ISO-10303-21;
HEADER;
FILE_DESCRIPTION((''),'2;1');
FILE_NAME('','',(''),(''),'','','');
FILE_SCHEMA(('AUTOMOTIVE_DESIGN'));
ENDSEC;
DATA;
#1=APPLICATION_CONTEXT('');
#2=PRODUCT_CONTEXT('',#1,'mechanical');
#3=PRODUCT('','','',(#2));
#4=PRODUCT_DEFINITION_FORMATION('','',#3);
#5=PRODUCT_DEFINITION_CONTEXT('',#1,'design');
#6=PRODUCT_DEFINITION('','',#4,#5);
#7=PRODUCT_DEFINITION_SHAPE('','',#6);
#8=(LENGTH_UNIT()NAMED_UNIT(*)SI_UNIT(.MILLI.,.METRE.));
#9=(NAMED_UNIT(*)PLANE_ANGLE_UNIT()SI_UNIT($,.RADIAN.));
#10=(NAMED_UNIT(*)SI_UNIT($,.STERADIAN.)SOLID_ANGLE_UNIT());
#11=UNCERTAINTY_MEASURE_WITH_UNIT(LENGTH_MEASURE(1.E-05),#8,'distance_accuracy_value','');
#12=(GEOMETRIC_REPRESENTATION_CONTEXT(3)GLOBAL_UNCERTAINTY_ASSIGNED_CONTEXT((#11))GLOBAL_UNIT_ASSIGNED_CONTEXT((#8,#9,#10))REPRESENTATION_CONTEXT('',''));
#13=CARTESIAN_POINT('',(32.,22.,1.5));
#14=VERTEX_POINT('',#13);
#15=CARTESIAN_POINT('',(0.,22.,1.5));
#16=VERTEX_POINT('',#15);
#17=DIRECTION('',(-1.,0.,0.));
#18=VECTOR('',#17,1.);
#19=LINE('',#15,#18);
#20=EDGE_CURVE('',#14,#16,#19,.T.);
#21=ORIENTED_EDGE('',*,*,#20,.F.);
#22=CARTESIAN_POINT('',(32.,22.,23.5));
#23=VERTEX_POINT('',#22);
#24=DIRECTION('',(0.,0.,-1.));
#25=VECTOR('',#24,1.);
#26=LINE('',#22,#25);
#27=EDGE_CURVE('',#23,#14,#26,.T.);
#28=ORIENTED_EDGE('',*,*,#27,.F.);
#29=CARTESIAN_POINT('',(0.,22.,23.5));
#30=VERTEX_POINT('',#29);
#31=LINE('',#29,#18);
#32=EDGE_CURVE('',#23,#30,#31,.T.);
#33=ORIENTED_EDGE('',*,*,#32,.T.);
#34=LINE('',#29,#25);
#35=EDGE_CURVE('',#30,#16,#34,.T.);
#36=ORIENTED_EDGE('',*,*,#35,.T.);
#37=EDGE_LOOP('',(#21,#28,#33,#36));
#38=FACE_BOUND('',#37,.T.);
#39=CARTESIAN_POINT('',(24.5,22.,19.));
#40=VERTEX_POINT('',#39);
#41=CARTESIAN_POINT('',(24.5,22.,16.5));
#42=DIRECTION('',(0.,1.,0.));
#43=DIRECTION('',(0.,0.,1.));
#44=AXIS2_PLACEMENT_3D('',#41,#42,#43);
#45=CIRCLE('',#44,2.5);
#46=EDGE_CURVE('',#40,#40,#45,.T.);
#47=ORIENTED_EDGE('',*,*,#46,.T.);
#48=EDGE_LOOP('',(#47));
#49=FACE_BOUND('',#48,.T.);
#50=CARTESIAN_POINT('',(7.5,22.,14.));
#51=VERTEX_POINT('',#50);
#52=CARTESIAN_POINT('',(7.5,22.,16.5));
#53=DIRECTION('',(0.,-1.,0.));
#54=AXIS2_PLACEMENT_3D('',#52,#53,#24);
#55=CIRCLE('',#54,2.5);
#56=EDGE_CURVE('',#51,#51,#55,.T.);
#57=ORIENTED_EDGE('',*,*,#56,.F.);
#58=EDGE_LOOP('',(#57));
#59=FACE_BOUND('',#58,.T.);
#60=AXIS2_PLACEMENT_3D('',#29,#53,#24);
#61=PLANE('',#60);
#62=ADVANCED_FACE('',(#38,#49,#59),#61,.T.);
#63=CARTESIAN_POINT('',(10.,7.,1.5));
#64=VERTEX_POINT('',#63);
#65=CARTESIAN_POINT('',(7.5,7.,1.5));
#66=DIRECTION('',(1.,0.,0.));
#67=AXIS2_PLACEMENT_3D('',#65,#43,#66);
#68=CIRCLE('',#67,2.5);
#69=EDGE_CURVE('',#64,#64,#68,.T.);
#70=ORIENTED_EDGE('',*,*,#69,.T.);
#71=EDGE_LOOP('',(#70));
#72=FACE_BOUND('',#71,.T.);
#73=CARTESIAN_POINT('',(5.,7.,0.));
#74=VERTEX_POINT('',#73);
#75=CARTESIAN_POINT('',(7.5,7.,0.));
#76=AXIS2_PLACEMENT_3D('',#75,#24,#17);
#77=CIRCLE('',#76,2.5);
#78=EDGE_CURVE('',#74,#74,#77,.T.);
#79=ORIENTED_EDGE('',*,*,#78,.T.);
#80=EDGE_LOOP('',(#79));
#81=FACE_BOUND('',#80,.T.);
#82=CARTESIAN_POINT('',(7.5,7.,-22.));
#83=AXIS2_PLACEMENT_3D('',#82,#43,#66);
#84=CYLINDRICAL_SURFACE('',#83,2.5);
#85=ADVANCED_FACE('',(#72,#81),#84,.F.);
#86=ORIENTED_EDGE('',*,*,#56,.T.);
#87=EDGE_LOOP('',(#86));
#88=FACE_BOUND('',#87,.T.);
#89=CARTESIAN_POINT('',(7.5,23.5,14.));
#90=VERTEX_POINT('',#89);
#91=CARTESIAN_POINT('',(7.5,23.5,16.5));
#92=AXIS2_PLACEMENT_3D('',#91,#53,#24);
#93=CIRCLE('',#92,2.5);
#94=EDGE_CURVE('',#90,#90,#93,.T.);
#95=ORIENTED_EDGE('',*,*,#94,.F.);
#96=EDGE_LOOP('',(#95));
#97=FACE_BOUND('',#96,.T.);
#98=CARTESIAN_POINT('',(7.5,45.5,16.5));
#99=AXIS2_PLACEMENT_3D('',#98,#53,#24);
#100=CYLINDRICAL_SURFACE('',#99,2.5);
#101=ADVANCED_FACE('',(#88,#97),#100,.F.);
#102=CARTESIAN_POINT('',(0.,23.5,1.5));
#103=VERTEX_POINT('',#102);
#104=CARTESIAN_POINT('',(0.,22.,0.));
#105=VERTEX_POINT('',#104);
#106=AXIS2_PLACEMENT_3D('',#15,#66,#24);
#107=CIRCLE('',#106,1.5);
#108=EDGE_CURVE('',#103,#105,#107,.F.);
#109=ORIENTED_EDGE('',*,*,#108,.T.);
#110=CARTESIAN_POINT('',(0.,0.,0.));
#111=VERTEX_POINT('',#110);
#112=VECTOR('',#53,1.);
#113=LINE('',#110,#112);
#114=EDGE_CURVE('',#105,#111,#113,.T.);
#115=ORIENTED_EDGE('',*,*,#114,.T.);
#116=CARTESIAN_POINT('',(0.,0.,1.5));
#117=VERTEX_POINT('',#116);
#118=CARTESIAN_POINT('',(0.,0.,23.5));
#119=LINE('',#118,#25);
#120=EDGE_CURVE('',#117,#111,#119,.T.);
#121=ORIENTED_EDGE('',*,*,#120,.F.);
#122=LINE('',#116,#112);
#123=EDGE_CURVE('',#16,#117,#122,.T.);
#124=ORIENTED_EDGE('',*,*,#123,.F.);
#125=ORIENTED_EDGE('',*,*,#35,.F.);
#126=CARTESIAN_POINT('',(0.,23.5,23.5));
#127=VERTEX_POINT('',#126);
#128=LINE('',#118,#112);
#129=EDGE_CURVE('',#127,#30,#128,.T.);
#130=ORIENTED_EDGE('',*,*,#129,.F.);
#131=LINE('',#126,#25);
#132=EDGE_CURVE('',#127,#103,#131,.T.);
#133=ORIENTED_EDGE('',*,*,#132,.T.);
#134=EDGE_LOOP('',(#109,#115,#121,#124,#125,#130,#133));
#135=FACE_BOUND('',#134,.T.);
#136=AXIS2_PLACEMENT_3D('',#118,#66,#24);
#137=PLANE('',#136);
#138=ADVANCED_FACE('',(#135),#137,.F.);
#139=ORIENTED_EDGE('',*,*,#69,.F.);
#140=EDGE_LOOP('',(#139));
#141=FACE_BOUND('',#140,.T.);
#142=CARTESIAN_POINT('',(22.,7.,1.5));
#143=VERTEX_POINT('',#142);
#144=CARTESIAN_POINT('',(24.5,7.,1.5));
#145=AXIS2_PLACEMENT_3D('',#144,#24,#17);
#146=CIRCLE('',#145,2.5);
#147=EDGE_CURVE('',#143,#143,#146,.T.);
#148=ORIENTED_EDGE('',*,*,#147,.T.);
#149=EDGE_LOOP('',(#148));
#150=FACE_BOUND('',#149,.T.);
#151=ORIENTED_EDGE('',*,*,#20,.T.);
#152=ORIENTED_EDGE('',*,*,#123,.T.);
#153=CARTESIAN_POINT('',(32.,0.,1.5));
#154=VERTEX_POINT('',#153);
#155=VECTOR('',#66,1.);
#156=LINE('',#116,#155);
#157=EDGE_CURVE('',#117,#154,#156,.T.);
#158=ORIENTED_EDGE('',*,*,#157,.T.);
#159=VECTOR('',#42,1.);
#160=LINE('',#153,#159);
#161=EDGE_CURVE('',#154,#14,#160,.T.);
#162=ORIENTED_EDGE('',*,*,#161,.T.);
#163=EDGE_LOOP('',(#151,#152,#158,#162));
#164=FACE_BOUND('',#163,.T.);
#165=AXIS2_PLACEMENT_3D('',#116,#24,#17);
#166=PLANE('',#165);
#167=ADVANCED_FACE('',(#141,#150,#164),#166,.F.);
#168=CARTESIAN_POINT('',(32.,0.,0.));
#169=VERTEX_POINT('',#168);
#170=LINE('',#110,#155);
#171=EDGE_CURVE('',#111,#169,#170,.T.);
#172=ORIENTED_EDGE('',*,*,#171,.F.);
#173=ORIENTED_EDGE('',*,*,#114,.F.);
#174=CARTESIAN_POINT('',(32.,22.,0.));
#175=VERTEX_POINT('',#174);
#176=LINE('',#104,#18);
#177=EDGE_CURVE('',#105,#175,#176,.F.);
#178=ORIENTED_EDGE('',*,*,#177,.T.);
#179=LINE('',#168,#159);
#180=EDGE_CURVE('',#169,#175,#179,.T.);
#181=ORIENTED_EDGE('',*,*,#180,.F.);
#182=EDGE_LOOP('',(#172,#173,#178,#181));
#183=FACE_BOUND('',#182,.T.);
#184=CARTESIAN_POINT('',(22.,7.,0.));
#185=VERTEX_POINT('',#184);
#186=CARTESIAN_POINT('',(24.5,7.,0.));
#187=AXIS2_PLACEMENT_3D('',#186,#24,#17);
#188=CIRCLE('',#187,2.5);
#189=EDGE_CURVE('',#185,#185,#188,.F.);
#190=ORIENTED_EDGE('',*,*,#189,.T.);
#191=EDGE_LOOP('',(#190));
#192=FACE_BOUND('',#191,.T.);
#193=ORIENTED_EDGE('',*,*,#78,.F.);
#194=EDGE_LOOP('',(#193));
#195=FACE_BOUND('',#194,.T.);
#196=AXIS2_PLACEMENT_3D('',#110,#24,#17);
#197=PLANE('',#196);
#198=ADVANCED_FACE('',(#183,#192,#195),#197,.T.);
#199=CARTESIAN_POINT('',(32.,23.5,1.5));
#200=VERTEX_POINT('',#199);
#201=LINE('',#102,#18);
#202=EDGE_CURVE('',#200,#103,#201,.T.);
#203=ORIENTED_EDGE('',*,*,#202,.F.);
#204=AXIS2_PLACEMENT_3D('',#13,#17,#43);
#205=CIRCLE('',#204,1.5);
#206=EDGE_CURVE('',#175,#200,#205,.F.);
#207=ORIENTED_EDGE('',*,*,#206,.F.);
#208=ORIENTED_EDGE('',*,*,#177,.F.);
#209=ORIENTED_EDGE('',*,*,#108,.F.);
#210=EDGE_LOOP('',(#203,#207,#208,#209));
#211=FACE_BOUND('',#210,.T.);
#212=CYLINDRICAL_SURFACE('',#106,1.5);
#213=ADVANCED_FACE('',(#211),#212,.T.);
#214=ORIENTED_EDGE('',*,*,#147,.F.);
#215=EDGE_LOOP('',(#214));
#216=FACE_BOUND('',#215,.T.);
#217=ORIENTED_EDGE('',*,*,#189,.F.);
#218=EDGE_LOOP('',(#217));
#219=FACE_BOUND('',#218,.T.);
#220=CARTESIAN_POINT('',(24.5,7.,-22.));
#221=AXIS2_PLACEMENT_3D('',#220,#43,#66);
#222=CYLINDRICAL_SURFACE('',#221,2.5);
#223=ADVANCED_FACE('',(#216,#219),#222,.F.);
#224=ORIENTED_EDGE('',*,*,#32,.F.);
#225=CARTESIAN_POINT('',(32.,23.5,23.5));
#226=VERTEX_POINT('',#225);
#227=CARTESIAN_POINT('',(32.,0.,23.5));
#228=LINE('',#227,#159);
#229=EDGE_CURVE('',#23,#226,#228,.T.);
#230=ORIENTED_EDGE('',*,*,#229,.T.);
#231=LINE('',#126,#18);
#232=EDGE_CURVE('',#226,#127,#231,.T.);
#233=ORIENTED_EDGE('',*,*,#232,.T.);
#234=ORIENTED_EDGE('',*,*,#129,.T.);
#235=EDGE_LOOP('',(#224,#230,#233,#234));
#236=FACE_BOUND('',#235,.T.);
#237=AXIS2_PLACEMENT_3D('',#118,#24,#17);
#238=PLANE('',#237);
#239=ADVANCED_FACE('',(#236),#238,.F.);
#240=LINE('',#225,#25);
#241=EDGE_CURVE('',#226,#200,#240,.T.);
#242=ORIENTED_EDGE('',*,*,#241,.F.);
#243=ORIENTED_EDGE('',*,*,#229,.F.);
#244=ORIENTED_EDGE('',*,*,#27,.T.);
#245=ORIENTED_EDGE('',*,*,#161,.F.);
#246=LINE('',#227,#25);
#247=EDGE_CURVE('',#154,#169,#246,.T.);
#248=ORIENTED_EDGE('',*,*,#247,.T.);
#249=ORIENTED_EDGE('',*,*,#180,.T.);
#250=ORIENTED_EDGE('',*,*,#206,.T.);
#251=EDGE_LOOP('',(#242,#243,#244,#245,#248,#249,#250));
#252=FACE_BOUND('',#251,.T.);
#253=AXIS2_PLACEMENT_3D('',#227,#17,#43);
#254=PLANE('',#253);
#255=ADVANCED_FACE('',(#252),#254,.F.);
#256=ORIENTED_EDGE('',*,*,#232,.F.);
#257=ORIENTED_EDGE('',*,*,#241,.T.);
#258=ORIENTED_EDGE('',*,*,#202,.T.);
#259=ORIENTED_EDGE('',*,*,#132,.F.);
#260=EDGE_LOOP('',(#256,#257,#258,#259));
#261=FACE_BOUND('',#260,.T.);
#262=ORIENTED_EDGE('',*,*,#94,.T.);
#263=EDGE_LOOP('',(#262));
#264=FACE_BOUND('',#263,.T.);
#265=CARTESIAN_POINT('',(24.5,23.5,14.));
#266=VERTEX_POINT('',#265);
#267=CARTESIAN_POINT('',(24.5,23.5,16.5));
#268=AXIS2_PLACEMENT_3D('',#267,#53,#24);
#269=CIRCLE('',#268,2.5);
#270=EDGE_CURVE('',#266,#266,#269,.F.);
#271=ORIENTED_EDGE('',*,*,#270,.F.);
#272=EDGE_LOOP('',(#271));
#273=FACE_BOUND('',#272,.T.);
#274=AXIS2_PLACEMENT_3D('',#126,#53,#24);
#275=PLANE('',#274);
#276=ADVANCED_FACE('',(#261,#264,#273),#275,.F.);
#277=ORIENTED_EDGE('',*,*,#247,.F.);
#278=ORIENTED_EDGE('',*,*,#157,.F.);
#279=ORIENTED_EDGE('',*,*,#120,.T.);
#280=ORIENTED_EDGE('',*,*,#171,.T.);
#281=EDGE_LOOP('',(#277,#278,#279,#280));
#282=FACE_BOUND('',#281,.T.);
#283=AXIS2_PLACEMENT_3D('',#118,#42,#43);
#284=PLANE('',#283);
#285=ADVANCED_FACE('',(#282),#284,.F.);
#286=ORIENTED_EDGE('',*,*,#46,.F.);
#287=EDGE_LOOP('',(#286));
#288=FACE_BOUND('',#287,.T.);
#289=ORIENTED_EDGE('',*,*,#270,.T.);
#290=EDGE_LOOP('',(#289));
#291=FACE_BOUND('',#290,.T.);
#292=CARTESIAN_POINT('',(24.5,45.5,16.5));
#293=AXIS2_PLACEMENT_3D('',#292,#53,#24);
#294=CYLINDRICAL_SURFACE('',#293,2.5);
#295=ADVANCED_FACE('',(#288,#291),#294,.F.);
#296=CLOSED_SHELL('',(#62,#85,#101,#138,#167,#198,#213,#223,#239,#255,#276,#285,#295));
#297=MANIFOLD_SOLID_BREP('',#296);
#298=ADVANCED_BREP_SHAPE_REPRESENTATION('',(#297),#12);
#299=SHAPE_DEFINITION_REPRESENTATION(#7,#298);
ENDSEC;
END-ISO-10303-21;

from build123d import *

# Parameters (mm, degrees)
SKETCH_1_W          = 32
SKETCH_1_H          = 23.5
EXTRUDE_2_DEPTH     = 23.5
SHELL_1_T           = -1.5
FILLET_2_R          = 1.5
SKETCH_3_R          = 2.5
CUT_EXTRUDE_2_DEPTH = 23.5
SKETCH_5_R          = 2.5
CUT_EXTRUDE_3_DEPTH = 23.5


with BuildPart() as part:
    # 草图1 → 凸台-拉伸2 (new body)
    with BuildSketch(Plane.XY):
        with Locations((16, 11.75)):
            Rectangle(SKETCH_1_W, SKETCH_1_H)
    extrude(amount=EXTRUDE_2_DEPTH)

    # 抽壳1
    shell_1_openings = [part.faces().sort_by_distance(p)[0] for p in [
        (16, 11.75, 23.5),
        (32, 11.75, 11.75),
        (16, 0, 11.75),
        (0, 11.75, 11.75),
    ]]
    offset(amount=SHELL_1_T, openings=shell_1_openings, kind=Kind.INTERSECTION)

    # 圆角2
    fillet_2_edges = [part.edges().sort_by_distance(p)[0] for p in [
        (16, 23.5, 0),
    ]]
    fillet(fillet_2_edges, radius=FILLET_2_R)

    # 草图3 → 切除-拉伸2 (cut)
    with BuildSketch(Plane.XY.offset(1.5)):
        with Locations((7.5, 7)):
            Circle(SKETCH_3_R)
        with Locations(Location((24.5, 7, 0), (0, 0, 180))):
            Circle(SKETCH_3_R)
    extrude(amount=-CUT_EXTRUDE_2_DEPTH, mode=Mode.SUBTRACT)

    # 草图5 → 切除-拉伸3 (cut)
    with BuildSketch(Plane.XZ.offset(-22)):
        with Locations(Location((7.5, 16.5, 0), (0, 0, 270))):
            Circle(SKETCH_5_R)
        with Locations(Location((24.5, 16.5, 0), (0, 0, 270))):
            Circle(SKETCH_5_R)
    extrude(amount=-CUT_EXTRUDE_3_DEPTH, mode=Mode.SUBTRACT)


solid = part.part
